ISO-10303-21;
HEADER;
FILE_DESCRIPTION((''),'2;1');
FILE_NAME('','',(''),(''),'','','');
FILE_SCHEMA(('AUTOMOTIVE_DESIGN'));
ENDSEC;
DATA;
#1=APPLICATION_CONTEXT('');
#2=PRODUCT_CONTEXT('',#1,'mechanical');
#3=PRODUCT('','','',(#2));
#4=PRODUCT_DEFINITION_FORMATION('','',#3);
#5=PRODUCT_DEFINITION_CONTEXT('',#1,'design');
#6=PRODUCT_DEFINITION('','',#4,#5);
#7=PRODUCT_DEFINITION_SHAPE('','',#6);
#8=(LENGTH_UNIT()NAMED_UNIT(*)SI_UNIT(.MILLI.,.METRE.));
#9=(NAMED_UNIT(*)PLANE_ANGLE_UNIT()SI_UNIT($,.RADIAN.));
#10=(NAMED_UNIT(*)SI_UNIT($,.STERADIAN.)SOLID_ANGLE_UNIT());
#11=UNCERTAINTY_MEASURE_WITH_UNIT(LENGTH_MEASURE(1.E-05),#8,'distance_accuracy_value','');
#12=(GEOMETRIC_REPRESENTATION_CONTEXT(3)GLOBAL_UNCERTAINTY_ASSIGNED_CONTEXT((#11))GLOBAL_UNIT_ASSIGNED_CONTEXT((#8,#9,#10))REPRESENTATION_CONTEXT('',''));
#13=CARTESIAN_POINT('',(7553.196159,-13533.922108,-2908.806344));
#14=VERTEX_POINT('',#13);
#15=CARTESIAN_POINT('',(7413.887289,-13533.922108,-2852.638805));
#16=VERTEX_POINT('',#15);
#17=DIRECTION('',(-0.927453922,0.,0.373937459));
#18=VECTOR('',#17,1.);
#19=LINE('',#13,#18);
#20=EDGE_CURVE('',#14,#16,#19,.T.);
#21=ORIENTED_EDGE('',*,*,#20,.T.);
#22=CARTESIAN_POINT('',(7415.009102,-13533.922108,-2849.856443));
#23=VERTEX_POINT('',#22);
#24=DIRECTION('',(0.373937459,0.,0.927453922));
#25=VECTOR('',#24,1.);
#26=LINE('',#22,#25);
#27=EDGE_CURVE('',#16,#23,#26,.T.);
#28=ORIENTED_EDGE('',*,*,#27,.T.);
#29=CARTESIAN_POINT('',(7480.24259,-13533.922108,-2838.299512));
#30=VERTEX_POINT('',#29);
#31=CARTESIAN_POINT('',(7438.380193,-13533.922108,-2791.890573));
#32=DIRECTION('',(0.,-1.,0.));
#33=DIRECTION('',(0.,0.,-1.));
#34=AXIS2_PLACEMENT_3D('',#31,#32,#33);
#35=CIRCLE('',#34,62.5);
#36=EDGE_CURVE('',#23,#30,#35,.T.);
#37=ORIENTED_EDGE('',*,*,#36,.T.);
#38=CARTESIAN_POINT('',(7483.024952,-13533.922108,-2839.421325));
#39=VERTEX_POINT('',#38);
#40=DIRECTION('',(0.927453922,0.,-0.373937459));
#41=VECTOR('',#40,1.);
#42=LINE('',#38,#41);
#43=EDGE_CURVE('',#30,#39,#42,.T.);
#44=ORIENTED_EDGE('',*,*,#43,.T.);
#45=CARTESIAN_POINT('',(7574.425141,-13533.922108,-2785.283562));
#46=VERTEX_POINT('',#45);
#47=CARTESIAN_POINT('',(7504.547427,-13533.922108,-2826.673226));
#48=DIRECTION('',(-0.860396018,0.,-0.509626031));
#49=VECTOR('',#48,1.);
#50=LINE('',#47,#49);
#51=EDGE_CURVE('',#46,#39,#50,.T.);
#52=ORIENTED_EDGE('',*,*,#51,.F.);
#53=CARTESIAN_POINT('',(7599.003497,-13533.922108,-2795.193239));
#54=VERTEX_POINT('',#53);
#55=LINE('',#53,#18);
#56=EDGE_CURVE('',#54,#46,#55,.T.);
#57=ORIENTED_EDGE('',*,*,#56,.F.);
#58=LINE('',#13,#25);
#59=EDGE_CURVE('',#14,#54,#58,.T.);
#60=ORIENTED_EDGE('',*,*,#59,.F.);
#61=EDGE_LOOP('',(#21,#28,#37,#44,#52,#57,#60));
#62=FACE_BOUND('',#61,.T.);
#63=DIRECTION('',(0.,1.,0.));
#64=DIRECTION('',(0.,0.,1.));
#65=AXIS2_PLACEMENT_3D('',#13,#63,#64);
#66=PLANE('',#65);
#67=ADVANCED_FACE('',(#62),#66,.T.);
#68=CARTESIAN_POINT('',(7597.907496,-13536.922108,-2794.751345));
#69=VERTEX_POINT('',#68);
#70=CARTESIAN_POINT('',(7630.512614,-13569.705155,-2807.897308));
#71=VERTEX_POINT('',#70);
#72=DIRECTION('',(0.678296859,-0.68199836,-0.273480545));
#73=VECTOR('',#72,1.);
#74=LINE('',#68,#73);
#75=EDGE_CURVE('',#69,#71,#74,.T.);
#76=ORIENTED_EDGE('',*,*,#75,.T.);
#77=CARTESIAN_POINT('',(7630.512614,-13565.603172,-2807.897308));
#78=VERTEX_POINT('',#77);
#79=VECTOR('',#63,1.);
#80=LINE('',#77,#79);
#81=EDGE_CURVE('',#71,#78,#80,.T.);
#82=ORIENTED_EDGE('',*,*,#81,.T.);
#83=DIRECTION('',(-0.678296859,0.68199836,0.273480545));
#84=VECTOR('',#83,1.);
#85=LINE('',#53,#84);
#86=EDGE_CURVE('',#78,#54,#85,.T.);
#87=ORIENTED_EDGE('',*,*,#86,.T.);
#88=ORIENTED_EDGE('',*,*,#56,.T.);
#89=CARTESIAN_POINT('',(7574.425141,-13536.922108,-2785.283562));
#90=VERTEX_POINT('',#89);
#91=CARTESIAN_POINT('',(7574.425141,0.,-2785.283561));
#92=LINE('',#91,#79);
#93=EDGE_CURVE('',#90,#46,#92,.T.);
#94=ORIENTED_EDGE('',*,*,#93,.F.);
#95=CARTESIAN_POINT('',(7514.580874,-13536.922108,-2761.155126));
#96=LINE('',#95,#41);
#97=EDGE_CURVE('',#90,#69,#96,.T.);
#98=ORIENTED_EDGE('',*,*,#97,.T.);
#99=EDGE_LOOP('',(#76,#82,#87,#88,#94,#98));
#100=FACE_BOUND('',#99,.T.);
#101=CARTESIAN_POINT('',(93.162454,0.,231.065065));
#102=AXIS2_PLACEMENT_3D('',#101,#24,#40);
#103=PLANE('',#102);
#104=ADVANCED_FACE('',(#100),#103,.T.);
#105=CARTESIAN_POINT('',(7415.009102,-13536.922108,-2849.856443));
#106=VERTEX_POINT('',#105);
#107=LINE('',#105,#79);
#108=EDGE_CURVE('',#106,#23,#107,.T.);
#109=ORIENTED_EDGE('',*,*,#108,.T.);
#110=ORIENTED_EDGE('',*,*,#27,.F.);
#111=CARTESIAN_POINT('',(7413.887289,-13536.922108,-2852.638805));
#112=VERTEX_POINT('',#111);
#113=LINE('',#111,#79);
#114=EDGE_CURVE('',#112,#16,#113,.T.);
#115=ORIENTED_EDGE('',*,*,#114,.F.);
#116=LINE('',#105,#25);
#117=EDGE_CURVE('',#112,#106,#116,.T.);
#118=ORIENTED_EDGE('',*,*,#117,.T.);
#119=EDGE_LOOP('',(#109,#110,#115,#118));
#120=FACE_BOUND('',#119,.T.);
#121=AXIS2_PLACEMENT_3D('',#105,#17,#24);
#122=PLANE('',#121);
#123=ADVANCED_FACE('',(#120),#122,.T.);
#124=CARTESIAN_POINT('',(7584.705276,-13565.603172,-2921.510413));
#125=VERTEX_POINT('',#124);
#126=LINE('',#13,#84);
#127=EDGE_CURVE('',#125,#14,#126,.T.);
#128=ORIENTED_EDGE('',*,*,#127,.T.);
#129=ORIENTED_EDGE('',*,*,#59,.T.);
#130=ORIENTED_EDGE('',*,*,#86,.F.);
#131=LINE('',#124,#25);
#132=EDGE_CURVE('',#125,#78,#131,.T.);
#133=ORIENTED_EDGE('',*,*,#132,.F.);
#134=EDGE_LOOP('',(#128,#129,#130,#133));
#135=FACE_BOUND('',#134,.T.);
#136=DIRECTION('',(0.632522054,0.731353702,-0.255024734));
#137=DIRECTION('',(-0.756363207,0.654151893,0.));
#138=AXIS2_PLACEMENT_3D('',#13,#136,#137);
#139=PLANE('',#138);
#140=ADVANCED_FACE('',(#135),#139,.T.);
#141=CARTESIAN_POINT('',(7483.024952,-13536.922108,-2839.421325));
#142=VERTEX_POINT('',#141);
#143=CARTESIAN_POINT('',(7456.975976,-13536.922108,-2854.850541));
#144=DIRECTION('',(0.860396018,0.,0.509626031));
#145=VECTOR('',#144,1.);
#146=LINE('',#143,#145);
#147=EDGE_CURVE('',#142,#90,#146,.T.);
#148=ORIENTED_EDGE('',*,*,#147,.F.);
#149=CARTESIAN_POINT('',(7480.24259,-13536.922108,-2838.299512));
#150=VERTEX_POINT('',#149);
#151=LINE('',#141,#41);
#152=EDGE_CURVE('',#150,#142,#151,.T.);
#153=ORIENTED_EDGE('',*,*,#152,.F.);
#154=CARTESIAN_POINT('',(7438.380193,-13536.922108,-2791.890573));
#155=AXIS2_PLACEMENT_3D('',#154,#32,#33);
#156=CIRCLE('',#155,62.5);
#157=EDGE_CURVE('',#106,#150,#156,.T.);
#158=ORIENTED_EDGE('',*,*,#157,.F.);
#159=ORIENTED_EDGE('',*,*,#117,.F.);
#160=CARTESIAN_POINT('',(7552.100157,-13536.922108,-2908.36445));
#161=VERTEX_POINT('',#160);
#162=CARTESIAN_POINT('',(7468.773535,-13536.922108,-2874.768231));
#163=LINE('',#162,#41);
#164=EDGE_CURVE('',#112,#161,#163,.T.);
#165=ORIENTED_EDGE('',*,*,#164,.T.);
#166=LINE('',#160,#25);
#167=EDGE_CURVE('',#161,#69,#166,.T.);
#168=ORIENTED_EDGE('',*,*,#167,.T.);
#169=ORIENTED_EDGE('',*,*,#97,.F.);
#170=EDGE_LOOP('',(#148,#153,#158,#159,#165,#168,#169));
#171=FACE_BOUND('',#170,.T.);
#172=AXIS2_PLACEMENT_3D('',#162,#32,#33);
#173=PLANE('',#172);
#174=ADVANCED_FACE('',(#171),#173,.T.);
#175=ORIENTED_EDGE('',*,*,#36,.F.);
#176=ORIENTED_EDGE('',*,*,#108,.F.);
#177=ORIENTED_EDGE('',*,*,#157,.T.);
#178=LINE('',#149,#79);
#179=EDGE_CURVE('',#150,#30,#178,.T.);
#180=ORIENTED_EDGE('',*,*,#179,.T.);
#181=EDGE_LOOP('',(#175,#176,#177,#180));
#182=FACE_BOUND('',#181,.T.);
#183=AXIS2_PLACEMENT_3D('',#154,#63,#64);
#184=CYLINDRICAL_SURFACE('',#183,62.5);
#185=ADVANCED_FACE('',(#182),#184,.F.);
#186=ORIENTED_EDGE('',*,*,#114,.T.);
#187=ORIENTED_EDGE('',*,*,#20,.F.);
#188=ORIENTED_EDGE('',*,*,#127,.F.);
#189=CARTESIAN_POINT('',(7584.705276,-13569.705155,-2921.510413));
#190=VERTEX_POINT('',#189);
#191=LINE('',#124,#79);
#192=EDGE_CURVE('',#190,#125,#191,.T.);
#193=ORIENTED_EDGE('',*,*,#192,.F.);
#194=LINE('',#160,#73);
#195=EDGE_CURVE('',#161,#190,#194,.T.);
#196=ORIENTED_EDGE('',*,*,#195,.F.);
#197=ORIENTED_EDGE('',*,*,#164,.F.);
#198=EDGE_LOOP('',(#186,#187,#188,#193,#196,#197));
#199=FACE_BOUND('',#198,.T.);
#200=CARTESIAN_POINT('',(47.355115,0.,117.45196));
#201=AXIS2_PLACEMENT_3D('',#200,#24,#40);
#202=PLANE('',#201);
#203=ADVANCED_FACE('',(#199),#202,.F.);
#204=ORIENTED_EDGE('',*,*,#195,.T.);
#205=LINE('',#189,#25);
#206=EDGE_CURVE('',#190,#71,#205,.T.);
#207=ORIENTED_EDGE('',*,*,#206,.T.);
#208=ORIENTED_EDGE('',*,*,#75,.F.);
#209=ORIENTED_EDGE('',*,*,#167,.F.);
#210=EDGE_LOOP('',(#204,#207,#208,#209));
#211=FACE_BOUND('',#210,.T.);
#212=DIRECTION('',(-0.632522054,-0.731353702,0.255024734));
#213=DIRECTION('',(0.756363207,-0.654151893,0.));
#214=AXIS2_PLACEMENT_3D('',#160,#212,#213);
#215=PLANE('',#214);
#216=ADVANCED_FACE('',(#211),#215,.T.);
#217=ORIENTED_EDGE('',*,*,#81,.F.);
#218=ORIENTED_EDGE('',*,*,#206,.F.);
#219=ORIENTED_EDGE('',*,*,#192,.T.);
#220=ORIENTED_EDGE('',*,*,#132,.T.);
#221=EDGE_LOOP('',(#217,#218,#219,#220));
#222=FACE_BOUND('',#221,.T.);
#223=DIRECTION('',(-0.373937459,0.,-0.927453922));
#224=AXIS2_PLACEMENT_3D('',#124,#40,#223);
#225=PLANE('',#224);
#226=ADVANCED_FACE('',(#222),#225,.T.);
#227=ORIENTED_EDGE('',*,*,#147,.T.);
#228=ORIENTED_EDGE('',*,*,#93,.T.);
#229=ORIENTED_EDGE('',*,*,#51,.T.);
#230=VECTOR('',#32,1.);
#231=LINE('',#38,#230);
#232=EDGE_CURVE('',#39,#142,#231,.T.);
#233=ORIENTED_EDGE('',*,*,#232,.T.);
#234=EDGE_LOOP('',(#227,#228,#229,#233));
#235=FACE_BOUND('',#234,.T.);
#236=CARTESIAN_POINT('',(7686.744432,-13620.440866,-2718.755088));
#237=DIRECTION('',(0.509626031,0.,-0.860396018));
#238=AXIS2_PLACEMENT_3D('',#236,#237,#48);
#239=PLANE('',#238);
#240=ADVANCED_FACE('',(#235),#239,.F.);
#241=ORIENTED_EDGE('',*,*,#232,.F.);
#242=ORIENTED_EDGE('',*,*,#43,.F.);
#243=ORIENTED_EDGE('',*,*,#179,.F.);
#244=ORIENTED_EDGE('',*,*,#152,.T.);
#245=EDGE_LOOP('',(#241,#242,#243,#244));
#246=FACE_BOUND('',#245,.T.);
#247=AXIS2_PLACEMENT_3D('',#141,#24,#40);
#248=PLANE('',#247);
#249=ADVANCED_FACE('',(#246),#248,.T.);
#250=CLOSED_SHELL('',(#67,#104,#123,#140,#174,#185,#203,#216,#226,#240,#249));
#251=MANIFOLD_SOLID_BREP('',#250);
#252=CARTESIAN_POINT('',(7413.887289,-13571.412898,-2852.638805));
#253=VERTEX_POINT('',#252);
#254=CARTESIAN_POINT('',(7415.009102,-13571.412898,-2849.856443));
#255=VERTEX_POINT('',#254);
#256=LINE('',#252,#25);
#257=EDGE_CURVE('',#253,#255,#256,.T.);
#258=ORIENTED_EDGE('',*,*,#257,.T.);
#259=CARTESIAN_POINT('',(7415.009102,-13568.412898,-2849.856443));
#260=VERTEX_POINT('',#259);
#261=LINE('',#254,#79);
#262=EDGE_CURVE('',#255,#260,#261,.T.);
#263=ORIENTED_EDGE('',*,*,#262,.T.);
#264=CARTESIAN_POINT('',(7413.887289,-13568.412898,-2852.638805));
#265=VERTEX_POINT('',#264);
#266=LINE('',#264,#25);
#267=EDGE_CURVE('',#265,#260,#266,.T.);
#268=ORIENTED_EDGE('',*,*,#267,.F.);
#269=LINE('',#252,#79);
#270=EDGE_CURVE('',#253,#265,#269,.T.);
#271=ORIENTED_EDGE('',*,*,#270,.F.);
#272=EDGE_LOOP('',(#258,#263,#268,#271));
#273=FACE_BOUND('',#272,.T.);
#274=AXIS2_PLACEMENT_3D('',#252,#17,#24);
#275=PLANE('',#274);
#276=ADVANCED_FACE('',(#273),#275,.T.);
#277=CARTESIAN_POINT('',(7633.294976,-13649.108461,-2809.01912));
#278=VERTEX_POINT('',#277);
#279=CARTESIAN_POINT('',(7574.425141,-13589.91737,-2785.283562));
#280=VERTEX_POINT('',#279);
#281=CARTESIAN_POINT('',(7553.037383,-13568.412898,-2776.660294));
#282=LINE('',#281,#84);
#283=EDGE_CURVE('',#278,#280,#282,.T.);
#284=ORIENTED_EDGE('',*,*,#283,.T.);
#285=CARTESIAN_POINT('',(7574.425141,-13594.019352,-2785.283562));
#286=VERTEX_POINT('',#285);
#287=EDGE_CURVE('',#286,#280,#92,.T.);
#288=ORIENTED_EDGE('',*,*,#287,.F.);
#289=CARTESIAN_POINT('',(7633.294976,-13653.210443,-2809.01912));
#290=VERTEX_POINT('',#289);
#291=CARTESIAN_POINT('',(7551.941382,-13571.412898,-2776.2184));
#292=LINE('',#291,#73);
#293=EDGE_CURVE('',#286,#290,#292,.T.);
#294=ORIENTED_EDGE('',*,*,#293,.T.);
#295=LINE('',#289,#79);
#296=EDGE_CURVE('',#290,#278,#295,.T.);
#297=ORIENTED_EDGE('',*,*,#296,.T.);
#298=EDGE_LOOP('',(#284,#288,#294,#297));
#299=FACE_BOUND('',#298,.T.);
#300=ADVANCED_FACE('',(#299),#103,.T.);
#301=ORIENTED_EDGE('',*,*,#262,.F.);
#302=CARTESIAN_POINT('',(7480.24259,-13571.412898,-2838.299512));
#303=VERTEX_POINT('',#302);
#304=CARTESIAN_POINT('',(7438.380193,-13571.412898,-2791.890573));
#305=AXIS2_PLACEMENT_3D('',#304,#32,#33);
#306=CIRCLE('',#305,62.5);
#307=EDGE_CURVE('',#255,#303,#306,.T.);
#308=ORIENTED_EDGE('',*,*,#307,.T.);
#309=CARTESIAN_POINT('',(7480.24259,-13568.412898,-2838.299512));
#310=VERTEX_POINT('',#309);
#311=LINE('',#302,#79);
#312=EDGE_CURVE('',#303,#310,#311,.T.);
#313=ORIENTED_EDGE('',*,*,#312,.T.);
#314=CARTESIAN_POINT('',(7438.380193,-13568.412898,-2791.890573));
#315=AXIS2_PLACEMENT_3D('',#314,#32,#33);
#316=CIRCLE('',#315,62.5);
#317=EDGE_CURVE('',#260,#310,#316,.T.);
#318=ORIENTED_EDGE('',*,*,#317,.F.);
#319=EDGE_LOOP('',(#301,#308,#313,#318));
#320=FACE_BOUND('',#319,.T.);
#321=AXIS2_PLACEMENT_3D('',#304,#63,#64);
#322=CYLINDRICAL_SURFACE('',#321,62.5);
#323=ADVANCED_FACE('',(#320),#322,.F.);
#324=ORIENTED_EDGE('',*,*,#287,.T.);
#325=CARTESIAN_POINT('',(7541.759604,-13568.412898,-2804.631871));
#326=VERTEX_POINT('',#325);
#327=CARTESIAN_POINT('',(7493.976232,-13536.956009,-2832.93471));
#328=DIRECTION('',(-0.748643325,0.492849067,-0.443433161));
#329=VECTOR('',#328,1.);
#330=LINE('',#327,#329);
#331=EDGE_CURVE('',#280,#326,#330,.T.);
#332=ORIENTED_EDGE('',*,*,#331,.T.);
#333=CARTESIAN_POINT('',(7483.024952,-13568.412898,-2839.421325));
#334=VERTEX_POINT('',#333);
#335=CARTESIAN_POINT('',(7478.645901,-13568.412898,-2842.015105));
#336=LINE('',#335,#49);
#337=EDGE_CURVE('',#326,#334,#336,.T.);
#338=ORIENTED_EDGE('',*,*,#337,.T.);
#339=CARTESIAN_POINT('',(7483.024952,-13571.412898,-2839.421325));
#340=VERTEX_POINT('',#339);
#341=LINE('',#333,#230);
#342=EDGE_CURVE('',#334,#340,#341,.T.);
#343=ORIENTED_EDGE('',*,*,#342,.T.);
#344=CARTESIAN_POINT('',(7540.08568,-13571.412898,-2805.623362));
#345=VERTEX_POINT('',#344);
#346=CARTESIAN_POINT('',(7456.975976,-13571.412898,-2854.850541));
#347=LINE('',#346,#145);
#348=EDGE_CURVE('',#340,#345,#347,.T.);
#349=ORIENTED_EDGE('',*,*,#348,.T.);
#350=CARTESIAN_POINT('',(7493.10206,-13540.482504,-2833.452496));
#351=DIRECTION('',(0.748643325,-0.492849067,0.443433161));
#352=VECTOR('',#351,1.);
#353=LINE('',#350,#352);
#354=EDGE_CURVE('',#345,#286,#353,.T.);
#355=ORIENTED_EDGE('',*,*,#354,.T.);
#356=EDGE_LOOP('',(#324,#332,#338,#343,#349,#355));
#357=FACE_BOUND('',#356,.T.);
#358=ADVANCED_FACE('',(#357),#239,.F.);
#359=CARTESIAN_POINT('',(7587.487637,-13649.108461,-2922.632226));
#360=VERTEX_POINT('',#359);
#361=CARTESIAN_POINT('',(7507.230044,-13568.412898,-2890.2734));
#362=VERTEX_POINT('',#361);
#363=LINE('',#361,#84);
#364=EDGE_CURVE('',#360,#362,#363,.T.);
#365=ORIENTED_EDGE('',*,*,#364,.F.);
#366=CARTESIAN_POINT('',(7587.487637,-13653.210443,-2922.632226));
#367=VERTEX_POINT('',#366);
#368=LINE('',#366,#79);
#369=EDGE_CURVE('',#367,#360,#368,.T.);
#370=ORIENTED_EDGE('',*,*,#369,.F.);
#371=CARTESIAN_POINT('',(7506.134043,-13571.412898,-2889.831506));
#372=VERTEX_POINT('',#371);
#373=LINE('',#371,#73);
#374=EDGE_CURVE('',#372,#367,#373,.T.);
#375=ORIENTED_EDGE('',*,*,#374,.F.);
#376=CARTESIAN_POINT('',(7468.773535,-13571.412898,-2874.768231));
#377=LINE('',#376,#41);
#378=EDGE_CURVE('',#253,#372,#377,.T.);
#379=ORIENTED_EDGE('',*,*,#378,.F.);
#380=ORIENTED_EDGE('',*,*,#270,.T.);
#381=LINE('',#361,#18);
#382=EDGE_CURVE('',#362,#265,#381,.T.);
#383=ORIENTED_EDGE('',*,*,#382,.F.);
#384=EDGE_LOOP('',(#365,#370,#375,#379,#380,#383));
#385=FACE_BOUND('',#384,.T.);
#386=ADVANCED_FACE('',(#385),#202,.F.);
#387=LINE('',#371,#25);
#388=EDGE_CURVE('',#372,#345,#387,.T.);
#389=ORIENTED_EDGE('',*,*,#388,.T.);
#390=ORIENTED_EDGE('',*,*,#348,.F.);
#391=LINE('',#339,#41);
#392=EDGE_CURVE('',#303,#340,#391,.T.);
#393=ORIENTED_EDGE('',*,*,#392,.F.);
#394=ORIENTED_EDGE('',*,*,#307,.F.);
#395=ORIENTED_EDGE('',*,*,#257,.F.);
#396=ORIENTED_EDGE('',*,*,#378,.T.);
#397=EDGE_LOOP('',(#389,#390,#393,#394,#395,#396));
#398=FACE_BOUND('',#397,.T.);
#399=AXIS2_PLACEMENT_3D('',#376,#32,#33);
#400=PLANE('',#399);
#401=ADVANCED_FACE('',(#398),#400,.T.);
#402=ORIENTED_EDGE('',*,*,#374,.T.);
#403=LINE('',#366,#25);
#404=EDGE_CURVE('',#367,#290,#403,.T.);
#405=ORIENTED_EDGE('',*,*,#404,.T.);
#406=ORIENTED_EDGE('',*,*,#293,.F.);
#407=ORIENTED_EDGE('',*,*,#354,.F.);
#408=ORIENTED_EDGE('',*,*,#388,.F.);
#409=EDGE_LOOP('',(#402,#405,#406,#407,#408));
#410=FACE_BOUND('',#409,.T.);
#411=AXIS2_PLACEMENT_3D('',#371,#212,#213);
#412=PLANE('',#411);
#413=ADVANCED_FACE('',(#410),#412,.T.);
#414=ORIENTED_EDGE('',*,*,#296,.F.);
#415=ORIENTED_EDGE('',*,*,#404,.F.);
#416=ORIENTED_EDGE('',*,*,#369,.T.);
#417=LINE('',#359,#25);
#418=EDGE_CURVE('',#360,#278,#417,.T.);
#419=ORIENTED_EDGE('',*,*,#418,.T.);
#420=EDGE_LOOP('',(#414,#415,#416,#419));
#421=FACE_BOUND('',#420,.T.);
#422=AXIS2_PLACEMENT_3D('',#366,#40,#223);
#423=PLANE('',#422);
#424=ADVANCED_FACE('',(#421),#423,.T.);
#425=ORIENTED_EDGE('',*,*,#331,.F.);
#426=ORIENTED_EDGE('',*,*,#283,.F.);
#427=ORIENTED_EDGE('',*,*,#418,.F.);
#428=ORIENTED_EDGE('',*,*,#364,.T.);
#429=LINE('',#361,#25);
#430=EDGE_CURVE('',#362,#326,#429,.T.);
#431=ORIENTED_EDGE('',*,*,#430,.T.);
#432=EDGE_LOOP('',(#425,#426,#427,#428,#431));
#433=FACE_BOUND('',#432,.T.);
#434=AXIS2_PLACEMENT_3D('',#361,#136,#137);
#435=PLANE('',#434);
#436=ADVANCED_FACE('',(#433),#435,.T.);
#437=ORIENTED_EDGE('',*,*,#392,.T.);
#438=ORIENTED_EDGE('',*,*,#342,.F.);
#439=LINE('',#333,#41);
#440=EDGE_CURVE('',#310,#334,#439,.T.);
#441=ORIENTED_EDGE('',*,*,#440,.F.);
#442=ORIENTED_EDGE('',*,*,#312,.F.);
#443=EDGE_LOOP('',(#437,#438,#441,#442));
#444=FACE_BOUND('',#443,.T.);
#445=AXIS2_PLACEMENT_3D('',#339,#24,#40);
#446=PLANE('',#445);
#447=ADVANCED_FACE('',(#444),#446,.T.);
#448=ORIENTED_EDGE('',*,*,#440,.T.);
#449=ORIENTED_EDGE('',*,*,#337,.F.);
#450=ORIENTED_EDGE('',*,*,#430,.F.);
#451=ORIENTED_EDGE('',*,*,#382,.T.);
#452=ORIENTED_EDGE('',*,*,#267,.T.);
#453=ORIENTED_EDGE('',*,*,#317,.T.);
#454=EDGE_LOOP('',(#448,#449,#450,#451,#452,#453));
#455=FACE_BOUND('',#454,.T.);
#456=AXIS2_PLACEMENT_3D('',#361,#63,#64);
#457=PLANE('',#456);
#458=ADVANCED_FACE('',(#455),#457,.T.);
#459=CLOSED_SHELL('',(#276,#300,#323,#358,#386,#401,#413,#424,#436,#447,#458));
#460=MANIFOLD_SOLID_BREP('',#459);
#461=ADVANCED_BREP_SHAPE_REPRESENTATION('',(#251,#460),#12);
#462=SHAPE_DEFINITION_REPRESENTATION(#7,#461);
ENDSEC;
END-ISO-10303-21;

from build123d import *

# Parameters (mm, degrees)
BOSS_EXTRUDE1_DEPTH      = 55
BOSS_EXTRUDE1_DEPTH_BACK = 67.5
BOSS_EXTRUDE2_DEPTH      = 55
BOSS_EXTRUDE2_DEPTH_BACK = 67.5
CUT_EXTRUDE1_DEPTH       = 194.123099162
CUT_EXTRUDE1_DEPTH_BACK  = 57.71160285
BOSS_EXTRUDE5_DEPTH      = 3
BOSS_EXTRUDE6_DEPTH      = 3


with BuildPart() as part:
    # Sketch2 → Boss-Extrude1 (new body, two sides)
    with BuildSketch(Plane(origin=(72.595893754, -2e-08, 180.055099249), x_dir=(0.927453922, 0, -0.373937459), z_dir=(0.373937459, 0, 0.927453922))) as boss_extrude1_sk:
        Polygon((8043.391436199, -13568.412897804), (8129.926832864, -13649.108460679), (8129.926832864, -13653.210443062), (8042.209704772, -13571.412897804), (8001.926832866, -13571.412897804), (8001.926832866, -13568.412897804), align=None)
    extrude(amount=BOSS_EXTRUDE1_DEPTH)
    extrude(boss_extrude1_sk.sketch, amount=-BOSS_EXTRUDE1_DEPTH_BACK)


with BuildPart() as body_2:
    # Sketch3 → Boss-Extrude2 (new body, two sides)
    with BuildSketch(Plane(origin=(72.595893754, -2e-08, 180.055099249), x_dir=(0.927453922, 0, -0.373937459), z_dir=(0.373937459, 0, 0.927453922))) as boss_extrude2_sk:
        Polygon((8092.953051272, -13533.922108249), (8126.926832864, -13565.603172116), (8126.926832864, -13569.7051545), (8091.771319846, -13536.922108249), (8001.926832866, -13536.922108249), (8001.926832866, -13533.922108249), align=None)
    extrude(amount=BOSS_EXTRUDE2_DEPTH)
    extrude(boss_extrude2_sk.sketch, amount=-BOSS_EXTRUDE2_DEPTH_BACK)


with BuildPart() as cut_extrude1_tool:
    # Sketch6 → Cut-Extrude1 (new body, two sides)
    with BuildSketch(Plane(origin=(-2930.658309925, -2661.194571048, -1735.87479532), x_dir=(0.733591849, -0.601256823, -0.316754213), z_dir=(-0.678001315, -0.615661475, -0.401590793))) as cut_extrude1_sk:
        Polygon((14605.462292695, 4343.710456856), (14689.493196271, 4244.519694966), (14507.849800843, 4090.637837869), (14423.818897267, 4189.828599759), align=None)
    extrude(amount=CUT_EXTRUDE1_DEPTH)
    extrude(cut_extrude1_sk.sketch, amount=-CUT_EXTRUDE1_DEPTH_BACK)


with BuildPart() as part_1:
    add(part.part)

    # Cut-Extrude1: cut by cut_extrude1_tool
    add(cut_extrude1_tool.part, mode=Mode.SUBTRACT)

    # Sketch12 → Boss-Extrude5 (add)
    with BuildSketch(Plane(origin=(-7.11e-07, -13568.412897804, -1.209e-06), x_dir=(1, 0, 0), z_dir=(0, 1, 0))):
        with BuildLine():
            Line((7468.77353605, 2874.76822987), (7483.024952786, 2839.421323564))
            Line((7483.024952786, 2839.421323564), (7480.242591021, 2838.299511186))
            ThreePointArc((7480.242591021, 2838.299511186), (7449.28307219, 2853.432242254), (7415.009102394, 2849.856441601))
            Line((7415.009102394, 2849.856441601), (7413.887290016, 2852.638803365))
            Line((7413.887290016, 2852.638803365), (7468.77353605, 2874.76822987))
        make_face()
    extrude(amount=-BOSS_EXTRUDE5_DEPTH)


with BuildPart() as body_2_1:
    add(body_2.part)

    # Cut-Extrude1: cut by cut_extrude1_tool
    add(cut_extrude1_tool.part, mode=Mode.SUBTRACT)

    # Sketch13 → Boss-Extrude6 (add)
    with BuildSketch(Plane(origin=(-7.09e-07, -13533.922108249, -1.206e-06), x_dir=(1, 0, 0), z_dir=(0, 1, 0))):
        with BuildLine():
            Line((7415.009102394, 2849.856441601), (7413.887290016, 2852.638803365))
            Line((7413.887290016, 2852.638803365), (7468.77353605, 2874.76822987))
            Line((7468.77353605, 2874.76822987), (7483.024952786, 2839.421323564))
            Line((7483.024952786, 2839.421323564), (7480.242591021, 2838.299511186))
            ThreePointArc((7480.242591021, 2838.299511186), (7449.28307219, 2853.432242254), (7415.009102394, 2849.856441601))
        make_face()
    extrude(amount=-BOSS_EXTRUDE6_DEPTH)


solid = Compound([part_1.part, body_2_1.part])
